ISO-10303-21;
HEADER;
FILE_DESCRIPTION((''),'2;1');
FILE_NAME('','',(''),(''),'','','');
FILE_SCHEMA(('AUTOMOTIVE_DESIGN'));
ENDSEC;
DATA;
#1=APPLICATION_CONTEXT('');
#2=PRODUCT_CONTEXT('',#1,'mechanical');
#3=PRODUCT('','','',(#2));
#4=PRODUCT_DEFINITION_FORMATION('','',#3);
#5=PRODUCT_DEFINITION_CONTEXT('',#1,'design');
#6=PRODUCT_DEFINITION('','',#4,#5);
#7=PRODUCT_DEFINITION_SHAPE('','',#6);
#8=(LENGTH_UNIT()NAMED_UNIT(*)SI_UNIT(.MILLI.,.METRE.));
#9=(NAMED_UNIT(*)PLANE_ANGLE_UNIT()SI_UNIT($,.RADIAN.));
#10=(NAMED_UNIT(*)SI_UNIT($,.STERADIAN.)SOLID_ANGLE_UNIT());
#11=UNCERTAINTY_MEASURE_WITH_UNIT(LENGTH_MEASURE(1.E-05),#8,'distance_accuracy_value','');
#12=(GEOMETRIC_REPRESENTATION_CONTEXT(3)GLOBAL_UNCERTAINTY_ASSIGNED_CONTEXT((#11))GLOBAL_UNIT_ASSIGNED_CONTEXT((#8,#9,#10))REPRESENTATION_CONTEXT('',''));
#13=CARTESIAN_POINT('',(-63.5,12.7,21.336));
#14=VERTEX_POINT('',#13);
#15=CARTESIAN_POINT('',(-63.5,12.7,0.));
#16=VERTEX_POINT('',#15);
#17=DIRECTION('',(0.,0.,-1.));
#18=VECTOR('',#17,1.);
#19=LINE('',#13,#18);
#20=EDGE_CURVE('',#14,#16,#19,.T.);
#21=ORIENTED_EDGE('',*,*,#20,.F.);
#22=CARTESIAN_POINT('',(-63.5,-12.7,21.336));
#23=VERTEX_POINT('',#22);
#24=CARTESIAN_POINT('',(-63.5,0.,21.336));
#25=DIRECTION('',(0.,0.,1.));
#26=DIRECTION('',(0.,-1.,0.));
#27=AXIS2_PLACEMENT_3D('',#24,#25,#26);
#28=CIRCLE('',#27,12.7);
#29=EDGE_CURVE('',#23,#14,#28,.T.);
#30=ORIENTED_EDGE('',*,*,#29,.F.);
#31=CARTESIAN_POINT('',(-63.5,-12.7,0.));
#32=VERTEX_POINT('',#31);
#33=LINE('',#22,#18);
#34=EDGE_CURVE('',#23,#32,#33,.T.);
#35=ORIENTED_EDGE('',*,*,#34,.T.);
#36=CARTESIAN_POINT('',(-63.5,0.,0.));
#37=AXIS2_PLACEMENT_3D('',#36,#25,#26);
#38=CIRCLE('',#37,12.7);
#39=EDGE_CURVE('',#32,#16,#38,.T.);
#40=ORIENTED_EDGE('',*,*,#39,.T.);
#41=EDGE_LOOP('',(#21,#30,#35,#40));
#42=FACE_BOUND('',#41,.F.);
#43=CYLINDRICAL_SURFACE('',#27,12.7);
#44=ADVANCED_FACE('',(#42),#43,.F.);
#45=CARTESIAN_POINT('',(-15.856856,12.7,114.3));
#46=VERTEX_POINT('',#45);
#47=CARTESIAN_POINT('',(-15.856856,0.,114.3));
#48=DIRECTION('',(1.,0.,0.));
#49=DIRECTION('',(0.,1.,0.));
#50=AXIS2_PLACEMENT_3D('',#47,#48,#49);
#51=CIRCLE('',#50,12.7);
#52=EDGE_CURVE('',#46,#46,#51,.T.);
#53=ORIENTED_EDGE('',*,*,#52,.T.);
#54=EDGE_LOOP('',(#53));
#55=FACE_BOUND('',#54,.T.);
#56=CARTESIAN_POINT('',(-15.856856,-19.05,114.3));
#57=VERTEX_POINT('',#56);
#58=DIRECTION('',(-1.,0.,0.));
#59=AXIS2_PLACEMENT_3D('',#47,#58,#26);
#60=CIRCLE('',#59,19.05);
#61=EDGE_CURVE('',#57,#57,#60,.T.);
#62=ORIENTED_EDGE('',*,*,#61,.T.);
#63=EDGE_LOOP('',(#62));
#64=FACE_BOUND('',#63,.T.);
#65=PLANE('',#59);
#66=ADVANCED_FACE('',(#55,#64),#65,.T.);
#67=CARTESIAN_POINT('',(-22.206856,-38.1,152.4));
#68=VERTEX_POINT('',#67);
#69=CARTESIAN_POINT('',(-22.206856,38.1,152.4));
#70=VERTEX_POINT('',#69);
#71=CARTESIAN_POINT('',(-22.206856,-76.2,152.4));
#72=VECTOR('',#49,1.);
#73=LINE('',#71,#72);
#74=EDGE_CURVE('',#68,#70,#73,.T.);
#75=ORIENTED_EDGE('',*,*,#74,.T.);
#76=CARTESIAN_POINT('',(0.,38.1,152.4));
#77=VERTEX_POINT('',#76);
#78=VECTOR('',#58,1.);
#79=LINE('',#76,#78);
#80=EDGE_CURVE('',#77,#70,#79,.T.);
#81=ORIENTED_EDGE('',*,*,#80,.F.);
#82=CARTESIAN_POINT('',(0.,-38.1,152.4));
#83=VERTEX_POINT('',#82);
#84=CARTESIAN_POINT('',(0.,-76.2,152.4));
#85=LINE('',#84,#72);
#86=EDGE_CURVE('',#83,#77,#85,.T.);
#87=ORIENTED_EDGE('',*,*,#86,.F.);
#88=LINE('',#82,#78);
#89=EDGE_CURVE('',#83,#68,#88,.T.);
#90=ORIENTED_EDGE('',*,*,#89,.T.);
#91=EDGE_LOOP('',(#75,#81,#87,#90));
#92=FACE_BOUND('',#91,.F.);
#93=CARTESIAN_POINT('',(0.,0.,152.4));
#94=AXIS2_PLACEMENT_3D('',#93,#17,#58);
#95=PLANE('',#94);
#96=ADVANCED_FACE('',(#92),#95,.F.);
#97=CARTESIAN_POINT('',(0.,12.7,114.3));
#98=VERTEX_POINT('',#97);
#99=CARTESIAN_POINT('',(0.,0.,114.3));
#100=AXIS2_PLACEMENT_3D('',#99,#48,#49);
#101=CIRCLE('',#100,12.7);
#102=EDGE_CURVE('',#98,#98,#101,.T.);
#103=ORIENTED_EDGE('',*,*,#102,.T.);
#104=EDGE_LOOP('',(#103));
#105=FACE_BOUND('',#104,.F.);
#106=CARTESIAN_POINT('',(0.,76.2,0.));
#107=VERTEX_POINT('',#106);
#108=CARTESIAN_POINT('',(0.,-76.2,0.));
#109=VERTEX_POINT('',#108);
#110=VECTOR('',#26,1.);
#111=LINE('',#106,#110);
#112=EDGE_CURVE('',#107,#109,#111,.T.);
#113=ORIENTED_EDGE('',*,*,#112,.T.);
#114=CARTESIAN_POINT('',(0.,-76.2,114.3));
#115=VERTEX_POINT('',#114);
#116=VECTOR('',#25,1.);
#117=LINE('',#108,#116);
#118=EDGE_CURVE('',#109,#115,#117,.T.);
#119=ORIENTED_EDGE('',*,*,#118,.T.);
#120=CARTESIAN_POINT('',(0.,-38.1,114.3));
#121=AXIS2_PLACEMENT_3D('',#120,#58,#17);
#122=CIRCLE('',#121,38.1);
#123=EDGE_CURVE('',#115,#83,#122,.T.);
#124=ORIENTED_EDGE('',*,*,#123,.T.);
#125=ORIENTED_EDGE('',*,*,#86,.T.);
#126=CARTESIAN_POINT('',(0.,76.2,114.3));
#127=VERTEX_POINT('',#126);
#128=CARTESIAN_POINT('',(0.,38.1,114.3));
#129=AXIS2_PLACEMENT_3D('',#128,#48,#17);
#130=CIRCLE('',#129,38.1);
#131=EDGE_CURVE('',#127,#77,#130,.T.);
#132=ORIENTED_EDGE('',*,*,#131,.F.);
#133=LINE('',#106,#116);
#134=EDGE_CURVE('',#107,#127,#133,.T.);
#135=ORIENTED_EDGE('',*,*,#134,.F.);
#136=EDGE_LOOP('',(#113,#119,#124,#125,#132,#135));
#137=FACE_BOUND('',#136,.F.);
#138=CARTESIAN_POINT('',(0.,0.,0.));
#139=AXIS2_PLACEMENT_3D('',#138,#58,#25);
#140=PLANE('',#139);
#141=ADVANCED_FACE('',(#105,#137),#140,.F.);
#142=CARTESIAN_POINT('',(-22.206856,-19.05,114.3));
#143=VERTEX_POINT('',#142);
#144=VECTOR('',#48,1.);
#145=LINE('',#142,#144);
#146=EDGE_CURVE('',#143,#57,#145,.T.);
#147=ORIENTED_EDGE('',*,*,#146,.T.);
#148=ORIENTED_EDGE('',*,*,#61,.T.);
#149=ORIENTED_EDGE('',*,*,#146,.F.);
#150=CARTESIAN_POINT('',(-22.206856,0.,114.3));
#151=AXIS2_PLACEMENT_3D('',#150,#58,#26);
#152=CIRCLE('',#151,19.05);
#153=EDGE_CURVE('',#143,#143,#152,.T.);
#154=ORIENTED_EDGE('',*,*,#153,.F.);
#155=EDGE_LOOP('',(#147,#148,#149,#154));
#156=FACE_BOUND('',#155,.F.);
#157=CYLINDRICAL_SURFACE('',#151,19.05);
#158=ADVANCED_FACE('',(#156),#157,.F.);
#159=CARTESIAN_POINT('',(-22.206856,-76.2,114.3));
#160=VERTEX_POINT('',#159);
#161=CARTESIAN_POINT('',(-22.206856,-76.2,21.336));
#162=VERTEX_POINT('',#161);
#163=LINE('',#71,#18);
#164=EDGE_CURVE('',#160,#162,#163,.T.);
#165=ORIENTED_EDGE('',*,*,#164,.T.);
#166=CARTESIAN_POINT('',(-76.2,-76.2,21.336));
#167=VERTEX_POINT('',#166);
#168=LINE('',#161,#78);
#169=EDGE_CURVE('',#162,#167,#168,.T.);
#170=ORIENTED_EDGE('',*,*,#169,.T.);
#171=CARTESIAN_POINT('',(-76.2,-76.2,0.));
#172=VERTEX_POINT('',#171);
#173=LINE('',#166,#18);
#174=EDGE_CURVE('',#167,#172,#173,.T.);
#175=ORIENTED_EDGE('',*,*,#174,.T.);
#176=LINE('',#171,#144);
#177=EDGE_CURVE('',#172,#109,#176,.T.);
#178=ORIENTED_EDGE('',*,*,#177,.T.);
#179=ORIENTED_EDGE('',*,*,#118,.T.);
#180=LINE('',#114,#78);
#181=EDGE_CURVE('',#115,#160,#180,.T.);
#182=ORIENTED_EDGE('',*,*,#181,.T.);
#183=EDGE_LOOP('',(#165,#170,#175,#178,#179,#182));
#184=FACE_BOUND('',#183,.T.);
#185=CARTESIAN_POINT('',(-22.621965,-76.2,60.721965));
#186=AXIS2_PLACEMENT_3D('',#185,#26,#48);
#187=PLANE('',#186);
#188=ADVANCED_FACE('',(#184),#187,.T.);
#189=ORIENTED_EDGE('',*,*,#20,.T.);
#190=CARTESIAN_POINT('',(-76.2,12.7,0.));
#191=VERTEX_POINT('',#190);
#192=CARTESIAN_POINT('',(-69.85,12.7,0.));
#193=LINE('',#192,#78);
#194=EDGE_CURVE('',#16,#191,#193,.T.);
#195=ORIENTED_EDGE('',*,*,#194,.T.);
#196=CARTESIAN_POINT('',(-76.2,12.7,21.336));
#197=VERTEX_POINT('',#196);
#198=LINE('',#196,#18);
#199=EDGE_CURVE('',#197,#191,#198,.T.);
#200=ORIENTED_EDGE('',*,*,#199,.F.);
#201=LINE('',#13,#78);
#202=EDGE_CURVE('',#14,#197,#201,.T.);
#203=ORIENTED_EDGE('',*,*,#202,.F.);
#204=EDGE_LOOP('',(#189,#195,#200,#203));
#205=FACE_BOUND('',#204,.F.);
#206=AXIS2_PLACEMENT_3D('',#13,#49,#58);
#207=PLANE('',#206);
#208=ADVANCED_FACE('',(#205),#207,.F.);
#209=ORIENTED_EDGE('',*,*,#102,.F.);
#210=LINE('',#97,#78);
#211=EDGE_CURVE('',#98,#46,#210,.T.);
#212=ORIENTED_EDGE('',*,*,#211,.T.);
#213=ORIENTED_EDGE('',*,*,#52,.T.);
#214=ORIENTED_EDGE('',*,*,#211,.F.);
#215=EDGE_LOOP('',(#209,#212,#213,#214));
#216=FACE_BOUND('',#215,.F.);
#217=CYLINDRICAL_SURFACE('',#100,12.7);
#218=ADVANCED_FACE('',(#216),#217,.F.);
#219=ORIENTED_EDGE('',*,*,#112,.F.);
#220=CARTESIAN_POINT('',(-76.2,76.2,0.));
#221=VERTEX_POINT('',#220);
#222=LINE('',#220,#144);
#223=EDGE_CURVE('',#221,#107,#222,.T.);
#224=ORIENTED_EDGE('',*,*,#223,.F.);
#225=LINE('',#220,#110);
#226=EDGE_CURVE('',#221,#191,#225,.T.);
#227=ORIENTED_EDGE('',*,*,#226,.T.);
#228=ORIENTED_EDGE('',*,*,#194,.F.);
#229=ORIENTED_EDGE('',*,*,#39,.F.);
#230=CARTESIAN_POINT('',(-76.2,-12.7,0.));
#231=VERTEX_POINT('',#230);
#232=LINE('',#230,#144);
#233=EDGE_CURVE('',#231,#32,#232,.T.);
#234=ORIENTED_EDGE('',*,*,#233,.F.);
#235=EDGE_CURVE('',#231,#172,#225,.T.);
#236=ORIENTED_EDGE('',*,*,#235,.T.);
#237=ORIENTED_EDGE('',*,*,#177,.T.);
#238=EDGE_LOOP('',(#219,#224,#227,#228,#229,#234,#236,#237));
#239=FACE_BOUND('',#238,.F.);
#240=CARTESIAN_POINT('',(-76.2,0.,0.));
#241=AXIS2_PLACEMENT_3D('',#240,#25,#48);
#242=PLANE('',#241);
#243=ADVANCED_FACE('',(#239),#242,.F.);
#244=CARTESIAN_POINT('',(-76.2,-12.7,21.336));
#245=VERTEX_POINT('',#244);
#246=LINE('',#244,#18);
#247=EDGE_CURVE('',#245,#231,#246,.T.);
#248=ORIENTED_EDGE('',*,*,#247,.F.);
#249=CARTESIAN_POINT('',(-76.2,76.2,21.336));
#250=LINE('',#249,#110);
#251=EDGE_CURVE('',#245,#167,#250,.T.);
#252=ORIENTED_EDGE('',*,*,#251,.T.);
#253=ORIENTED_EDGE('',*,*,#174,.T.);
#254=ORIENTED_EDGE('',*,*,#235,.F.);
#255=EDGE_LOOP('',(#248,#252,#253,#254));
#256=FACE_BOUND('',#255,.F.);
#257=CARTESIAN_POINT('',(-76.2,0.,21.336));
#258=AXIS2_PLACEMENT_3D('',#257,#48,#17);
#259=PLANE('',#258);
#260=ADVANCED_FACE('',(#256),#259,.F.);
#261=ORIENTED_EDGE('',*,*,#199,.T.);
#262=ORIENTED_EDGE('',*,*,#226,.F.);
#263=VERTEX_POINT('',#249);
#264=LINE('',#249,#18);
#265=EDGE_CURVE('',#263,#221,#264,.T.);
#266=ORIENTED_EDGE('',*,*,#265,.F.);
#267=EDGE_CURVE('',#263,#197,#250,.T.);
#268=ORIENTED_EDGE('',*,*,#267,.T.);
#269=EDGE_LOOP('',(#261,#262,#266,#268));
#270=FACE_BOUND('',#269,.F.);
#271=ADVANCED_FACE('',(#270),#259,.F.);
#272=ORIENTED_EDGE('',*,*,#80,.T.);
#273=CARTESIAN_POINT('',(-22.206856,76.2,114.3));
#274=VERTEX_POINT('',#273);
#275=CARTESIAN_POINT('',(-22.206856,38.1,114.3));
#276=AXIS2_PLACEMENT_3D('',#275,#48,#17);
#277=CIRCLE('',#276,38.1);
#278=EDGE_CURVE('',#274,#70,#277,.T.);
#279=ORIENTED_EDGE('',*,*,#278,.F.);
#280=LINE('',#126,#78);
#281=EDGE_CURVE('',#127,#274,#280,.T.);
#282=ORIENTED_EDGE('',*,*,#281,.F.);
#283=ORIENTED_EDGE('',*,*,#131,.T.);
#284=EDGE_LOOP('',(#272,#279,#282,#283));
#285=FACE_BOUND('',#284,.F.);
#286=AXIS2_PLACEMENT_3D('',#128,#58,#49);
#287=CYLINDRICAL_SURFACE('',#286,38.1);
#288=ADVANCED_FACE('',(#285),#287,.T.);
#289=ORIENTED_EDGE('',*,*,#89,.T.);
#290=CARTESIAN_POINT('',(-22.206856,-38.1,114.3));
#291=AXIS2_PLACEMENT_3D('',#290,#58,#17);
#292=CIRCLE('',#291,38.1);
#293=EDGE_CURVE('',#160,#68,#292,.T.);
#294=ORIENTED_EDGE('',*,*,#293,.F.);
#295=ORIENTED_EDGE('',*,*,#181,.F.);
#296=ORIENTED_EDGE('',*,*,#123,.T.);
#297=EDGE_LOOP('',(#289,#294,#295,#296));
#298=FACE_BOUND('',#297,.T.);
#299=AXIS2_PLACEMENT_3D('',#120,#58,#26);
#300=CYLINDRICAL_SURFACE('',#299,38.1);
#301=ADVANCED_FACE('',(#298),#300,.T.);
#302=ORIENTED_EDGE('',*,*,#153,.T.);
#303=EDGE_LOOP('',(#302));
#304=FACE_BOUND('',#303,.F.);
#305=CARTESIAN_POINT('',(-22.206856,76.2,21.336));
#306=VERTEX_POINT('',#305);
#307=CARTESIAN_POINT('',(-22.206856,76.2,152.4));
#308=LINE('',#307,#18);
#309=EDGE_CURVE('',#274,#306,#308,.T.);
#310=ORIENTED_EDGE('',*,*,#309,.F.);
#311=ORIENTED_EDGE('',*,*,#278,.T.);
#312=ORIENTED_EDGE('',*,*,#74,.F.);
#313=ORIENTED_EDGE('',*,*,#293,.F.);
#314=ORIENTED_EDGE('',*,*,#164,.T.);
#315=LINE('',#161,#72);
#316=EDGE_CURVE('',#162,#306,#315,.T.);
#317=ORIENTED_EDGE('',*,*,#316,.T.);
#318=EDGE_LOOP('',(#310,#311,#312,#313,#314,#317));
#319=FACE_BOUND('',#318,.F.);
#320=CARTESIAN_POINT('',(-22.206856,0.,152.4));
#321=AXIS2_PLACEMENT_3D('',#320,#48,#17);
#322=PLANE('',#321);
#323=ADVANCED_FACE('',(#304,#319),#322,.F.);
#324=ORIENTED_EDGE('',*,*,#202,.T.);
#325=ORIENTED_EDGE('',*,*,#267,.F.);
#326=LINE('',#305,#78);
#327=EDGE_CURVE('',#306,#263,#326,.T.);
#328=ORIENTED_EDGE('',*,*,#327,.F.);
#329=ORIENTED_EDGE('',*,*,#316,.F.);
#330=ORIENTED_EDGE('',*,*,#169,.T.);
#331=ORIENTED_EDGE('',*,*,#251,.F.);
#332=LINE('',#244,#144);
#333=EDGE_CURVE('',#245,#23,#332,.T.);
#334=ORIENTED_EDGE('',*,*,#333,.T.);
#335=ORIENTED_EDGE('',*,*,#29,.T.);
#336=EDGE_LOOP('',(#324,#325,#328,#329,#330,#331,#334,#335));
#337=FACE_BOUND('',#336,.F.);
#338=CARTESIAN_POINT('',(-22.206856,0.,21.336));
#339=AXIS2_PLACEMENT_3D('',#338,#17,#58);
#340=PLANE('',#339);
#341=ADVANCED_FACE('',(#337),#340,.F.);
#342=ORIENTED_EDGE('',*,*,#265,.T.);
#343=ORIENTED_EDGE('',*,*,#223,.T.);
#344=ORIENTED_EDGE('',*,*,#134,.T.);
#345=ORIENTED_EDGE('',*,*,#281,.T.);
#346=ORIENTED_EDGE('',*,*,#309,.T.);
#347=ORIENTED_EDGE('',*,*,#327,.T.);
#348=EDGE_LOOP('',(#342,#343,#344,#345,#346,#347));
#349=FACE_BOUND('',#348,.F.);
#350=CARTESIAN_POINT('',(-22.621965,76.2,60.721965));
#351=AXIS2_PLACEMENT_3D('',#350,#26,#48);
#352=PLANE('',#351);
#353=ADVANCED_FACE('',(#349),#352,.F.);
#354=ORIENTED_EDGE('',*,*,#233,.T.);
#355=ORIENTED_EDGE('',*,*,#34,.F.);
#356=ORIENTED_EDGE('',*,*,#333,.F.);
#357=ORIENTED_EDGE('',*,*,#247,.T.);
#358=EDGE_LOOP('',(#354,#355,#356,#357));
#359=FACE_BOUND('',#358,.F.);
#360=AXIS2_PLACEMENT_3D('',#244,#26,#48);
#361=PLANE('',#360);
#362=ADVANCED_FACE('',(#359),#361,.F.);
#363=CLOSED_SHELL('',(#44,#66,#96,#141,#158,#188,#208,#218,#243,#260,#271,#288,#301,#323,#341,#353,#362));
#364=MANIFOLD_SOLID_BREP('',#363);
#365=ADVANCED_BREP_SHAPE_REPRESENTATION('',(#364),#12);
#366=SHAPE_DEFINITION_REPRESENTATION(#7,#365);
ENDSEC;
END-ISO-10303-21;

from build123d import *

# Parameters (mm, degrees)
F1_DEPTH = 76.2
F2_DEPTH = 76.2
F3_R     = 12.7
F4_DEPTH = 76.201
F6_DEPTH = 25.4
F7_R     = 38.1
F8_R     = 19.05
F9_DEPTH = 6.35


with BuildPart() as f1:
    # F0 (on Front) → F1 (new body)
    with BuildSketch(Plane.XZ):
        Polygon((-76.2, 0), (0, 0), (0, 152.4), (-22.206856, 152.4), (-22.206856, 21.336), (-76.2, 21.336), align=None)
    extrude(amount=-F1_DEPTH)

    # F1_face (on face) → F2 (join)
    with BuildSketch(Plane(origin=(-20.778911, 0, 59.558169), x_dir=(1, 0, 0), z_dir=(0, -1, 0))):
        Polygon((-1.427945, -38.222169), (-55.421089, -38.222169), (-55.421089, -59.558169), (20.778911, -59.558169), (20.778911, 92.841831), (-1.427945, 92.841831), align=None)
    extrude(amount=F2_DEPTH)

    # F3 (on face) → F4 (cut, through all)
    with BuildSketch(Plane.YZ):
        with Locations((0, 114.3)):
            Circle(F3_R)
    extrude(amount=-F4_DEPTH, mode=Mode.SUBTRACT)

    # F5 (on face) → F6 (cut)
    with BuildSketch(Plane.XY.offset(21.336)):
        with BuildLine():
            Line((-63.5, 12.7), (-76.2, 12.7))
            Line((-76.2, 12.7), (-76.2, -12.7))
            Line((-76.2, -12.7), (-63.5, -12.7))
            ThreePointArc((-63.5, -12.7), (-50.8, 0), (-63.5, 12.7))
        make_face()
    extrude(amount=-F6_DEPTH, mode=Mode.SUBTRACT)

    # F7
    f7_edges = [f1.edges().sort_by_distance(p)[0] for p in [
        (-11.103428, -76.2, 152.4),
        (-11.103428, 76.2, 152.4),
    ]]
    fillet(f7_edges, radius=F7_R)

    # F8 (on face) → F9 (cut)
    with BuildSketch(Plane(origin=(-22.206856, 0, 0), x_dir=(0, -1, 0), z_dir=(-1, 0, 0))):
        with Locations((0, 114.3)):
            Circle(F8_R)
    extrude(amount=-F9_DEPTH, mode=Mode.SUBTRACT)


solid = f1.part
